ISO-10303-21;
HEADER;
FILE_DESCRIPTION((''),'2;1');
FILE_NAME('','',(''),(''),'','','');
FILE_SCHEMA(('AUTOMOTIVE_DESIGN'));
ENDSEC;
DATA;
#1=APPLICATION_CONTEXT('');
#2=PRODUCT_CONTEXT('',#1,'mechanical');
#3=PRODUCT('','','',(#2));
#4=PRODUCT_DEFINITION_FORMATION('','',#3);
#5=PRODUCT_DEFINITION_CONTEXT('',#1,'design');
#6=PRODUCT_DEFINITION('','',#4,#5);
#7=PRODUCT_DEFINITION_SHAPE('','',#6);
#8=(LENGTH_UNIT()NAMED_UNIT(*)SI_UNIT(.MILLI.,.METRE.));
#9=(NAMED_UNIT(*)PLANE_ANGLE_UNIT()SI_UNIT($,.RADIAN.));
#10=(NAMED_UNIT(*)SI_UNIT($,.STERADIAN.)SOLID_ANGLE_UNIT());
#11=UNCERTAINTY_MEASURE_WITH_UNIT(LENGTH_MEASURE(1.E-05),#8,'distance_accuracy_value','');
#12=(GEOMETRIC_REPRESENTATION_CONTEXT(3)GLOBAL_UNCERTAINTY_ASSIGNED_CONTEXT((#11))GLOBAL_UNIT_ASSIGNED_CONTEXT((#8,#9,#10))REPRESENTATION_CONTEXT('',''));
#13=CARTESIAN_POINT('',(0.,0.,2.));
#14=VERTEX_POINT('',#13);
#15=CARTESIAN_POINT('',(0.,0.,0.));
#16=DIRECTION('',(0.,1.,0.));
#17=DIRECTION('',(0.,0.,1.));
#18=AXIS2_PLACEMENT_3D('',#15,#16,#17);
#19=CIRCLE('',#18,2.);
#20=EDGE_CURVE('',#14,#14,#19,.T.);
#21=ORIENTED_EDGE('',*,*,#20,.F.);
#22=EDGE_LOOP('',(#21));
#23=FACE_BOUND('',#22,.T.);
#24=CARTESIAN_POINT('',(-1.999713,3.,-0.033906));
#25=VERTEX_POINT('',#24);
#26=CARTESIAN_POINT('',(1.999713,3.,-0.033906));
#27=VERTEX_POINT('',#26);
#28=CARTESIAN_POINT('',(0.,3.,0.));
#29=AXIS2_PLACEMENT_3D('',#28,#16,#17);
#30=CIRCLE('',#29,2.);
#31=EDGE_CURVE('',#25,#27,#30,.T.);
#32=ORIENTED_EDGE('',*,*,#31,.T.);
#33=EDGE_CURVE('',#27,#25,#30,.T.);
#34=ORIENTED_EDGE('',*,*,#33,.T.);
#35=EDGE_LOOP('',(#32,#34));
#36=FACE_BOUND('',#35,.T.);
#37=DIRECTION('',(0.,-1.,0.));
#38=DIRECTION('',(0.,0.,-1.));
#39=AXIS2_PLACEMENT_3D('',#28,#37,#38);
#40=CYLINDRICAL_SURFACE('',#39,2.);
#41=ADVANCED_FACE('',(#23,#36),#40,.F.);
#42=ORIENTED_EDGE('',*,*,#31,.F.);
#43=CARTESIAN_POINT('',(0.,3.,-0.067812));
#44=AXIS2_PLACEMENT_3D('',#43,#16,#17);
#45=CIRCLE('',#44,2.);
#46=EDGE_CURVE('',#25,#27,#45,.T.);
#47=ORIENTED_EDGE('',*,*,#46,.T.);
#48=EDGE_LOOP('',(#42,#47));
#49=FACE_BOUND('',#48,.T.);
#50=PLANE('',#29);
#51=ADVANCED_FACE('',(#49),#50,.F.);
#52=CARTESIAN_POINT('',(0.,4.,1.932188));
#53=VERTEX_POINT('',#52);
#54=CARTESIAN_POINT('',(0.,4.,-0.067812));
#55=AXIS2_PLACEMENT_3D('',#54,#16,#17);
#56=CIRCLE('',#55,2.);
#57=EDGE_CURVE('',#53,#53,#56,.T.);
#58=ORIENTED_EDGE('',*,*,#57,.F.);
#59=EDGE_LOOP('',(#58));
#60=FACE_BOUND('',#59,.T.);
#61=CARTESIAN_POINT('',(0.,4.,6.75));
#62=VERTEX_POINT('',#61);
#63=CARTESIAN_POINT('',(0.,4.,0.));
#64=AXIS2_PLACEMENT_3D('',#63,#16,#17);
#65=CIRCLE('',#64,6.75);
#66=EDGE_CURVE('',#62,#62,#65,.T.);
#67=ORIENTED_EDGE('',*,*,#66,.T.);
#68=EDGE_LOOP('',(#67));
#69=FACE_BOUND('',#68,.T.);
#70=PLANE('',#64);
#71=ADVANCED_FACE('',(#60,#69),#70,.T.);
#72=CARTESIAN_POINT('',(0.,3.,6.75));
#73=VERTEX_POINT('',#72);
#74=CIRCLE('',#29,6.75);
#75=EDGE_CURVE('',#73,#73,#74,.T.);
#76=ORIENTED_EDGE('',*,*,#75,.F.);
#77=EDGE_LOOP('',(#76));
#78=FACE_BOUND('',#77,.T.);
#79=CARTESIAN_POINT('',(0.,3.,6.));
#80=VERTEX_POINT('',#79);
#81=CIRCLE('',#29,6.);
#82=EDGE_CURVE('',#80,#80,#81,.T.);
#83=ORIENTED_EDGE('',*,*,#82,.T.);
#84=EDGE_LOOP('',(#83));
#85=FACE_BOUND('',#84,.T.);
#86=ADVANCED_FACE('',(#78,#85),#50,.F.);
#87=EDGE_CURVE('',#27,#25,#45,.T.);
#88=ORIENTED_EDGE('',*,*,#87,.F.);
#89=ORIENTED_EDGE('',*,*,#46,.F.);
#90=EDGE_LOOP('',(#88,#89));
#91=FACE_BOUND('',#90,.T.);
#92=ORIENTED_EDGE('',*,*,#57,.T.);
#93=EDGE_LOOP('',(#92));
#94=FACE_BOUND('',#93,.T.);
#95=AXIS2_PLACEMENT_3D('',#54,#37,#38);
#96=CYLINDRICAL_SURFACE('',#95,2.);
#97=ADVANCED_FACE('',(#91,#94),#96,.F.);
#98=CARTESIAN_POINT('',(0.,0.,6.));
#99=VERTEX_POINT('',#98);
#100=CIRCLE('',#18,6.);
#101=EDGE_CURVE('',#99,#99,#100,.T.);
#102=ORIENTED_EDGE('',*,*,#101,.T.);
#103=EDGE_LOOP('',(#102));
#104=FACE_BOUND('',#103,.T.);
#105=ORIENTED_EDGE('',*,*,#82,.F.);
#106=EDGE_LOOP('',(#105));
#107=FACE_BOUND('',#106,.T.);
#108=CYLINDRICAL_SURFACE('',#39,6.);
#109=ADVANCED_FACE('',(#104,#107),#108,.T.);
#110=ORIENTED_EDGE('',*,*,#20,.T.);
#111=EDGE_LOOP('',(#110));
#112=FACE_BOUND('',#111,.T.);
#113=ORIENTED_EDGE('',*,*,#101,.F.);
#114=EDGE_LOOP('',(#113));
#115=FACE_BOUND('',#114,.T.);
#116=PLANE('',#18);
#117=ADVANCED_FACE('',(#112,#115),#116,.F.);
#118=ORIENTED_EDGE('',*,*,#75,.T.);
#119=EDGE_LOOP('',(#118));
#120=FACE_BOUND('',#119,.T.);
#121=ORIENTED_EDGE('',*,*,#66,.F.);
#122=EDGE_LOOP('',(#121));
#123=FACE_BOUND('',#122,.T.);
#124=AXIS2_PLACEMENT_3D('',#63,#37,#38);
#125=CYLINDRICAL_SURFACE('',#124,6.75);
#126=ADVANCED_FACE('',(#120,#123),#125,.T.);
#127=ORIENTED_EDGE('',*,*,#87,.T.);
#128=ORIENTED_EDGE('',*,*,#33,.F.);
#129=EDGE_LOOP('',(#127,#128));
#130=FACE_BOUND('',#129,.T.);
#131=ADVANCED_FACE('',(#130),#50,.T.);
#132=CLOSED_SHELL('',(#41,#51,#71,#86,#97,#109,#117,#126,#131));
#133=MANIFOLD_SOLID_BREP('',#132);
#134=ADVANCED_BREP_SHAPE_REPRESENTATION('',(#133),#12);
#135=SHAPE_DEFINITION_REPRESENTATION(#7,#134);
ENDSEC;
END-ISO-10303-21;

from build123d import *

# Parameters (mm, degrees)
SKETCH_1_R      = 6
SKETCH_1_R_2    = 2
EXTRUDE_1_DEPTH = 3
SKETCH_2_R      = 6.75
SKETCH_2_R_2    = 2
EXTRUDE_2_DEPTH = 1


with BuildPart() as part:
    # 草图1 → 凸台-拉伸1 (new body)
    with BuildSketch(Plane(origin=(0, 0, 0), x_dir=(1, 0, 0), z_dir=(0, 1, 0))):
        with Locations(Location((0, 0, 0), (0, 0, 270))):
            Circle(SKETCH_1_R)
        with Locations(Location((0, 0, 0), (0, 0, 270))):
            Circle(SKETCH_1_R_2, mode=Mode.SUBTRACT)
    extrude(amount=EXTRUDE_1_DEPTH)

    # 草图2 → 凸台-拉伸2 (add)
    with BuildSketch(Plane(origin=(0, 3, 0), x_dir=(1, 0, 0), z_dir=(0, 1, 0))):
        with Locations(Location((0, 0, 0), (0, 0, 270))):
            Circle(SKETCH_2_R)
        with Locations(Location((0, 0.067811987, 0), (0, 0, 359.028618299))):
            Circle(SKETCH_2_R_2, mode=Mode.SUBTRACT)
    extrude(amount=EXTRUDE_2_DEPTH)


solid = part.part
